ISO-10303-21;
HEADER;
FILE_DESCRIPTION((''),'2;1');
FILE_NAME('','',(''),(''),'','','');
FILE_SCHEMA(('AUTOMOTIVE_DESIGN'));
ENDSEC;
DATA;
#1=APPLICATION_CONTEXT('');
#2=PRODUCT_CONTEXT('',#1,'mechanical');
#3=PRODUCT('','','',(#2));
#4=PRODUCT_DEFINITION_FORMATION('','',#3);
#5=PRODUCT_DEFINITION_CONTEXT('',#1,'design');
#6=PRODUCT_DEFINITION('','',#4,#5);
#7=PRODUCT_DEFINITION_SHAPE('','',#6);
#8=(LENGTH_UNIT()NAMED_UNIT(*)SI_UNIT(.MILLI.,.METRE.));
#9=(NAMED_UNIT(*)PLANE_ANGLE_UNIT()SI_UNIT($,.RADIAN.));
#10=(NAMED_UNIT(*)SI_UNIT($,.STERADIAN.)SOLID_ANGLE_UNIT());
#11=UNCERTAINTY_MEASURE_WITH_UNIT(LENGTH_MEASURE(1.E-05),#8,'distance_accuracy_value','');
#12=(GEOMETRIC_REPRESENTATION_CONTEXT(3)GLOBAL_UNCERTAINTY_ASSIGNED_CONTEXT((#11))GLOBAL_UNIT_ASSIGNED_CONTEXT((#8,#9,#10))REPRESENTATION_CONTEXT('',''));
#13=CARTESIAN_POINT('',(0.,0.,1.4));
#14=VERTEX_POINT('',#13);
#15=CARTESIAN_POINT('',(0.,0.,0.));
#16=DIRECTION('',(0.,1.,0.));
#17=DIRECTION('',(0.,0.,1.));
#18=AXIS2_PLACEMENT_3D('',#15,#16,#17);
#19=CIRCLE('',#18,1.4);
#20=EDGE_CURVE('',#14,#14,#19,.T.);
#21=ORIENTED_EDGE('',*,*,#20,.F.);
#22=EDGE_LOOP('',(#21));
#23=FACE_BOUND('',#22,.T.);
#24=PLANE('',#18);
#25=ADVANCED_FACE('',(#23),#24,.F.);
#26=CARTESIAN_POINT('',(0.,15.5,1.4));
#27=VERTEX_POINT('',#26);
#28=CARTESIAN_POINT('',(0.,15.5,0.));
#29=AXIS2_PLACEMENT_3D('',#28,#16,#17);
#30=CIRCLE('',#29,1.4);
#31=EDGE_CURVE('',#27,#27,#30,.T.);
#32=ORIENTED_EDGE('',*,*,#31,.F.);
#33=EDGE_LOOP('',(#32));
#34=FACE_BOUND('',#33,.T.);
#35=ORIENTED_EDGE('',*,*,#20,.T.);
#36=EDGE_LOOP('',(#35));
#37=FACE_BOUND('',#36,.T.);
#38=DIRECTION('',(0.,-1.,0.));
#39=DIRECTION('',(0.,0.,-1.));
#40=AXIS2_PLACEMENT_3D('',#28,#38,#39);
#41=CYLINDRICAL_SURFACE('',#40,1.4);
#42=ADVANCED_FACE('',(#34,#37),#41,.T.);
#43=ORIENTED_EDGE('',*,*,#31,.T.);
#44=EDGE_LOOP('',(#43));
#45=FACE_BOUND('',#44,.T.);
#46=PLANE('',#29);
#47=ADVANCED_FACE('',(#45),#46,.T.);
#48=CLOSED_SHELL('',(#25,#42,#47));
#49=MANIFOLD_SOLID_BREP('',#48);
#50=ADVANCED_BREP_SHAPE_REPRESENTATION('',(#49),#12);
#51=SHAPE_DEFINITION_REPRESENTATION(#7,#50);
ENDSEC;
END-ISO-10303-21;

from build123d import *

# Parameters (mm, degrees)
SKETCH_1_R      = 1.4
EXTRUDE_1_DEPTH = 15.5


with BuildPart() as part:
    # 草图1 → 凸台-拉伸1 (new body)
    with BuildSketch(Plane(origin=(0, 0, 0), x_dir=(1, 0, 0), z_dir=(0, 1, 0))):
        with Locations(Location((0, 0, 0), (0, 0, 270))):
            Circle(SKETCH_1_R)
    extrude(amount=EXTRUDE_1_DEPTH)


solid = part.part
